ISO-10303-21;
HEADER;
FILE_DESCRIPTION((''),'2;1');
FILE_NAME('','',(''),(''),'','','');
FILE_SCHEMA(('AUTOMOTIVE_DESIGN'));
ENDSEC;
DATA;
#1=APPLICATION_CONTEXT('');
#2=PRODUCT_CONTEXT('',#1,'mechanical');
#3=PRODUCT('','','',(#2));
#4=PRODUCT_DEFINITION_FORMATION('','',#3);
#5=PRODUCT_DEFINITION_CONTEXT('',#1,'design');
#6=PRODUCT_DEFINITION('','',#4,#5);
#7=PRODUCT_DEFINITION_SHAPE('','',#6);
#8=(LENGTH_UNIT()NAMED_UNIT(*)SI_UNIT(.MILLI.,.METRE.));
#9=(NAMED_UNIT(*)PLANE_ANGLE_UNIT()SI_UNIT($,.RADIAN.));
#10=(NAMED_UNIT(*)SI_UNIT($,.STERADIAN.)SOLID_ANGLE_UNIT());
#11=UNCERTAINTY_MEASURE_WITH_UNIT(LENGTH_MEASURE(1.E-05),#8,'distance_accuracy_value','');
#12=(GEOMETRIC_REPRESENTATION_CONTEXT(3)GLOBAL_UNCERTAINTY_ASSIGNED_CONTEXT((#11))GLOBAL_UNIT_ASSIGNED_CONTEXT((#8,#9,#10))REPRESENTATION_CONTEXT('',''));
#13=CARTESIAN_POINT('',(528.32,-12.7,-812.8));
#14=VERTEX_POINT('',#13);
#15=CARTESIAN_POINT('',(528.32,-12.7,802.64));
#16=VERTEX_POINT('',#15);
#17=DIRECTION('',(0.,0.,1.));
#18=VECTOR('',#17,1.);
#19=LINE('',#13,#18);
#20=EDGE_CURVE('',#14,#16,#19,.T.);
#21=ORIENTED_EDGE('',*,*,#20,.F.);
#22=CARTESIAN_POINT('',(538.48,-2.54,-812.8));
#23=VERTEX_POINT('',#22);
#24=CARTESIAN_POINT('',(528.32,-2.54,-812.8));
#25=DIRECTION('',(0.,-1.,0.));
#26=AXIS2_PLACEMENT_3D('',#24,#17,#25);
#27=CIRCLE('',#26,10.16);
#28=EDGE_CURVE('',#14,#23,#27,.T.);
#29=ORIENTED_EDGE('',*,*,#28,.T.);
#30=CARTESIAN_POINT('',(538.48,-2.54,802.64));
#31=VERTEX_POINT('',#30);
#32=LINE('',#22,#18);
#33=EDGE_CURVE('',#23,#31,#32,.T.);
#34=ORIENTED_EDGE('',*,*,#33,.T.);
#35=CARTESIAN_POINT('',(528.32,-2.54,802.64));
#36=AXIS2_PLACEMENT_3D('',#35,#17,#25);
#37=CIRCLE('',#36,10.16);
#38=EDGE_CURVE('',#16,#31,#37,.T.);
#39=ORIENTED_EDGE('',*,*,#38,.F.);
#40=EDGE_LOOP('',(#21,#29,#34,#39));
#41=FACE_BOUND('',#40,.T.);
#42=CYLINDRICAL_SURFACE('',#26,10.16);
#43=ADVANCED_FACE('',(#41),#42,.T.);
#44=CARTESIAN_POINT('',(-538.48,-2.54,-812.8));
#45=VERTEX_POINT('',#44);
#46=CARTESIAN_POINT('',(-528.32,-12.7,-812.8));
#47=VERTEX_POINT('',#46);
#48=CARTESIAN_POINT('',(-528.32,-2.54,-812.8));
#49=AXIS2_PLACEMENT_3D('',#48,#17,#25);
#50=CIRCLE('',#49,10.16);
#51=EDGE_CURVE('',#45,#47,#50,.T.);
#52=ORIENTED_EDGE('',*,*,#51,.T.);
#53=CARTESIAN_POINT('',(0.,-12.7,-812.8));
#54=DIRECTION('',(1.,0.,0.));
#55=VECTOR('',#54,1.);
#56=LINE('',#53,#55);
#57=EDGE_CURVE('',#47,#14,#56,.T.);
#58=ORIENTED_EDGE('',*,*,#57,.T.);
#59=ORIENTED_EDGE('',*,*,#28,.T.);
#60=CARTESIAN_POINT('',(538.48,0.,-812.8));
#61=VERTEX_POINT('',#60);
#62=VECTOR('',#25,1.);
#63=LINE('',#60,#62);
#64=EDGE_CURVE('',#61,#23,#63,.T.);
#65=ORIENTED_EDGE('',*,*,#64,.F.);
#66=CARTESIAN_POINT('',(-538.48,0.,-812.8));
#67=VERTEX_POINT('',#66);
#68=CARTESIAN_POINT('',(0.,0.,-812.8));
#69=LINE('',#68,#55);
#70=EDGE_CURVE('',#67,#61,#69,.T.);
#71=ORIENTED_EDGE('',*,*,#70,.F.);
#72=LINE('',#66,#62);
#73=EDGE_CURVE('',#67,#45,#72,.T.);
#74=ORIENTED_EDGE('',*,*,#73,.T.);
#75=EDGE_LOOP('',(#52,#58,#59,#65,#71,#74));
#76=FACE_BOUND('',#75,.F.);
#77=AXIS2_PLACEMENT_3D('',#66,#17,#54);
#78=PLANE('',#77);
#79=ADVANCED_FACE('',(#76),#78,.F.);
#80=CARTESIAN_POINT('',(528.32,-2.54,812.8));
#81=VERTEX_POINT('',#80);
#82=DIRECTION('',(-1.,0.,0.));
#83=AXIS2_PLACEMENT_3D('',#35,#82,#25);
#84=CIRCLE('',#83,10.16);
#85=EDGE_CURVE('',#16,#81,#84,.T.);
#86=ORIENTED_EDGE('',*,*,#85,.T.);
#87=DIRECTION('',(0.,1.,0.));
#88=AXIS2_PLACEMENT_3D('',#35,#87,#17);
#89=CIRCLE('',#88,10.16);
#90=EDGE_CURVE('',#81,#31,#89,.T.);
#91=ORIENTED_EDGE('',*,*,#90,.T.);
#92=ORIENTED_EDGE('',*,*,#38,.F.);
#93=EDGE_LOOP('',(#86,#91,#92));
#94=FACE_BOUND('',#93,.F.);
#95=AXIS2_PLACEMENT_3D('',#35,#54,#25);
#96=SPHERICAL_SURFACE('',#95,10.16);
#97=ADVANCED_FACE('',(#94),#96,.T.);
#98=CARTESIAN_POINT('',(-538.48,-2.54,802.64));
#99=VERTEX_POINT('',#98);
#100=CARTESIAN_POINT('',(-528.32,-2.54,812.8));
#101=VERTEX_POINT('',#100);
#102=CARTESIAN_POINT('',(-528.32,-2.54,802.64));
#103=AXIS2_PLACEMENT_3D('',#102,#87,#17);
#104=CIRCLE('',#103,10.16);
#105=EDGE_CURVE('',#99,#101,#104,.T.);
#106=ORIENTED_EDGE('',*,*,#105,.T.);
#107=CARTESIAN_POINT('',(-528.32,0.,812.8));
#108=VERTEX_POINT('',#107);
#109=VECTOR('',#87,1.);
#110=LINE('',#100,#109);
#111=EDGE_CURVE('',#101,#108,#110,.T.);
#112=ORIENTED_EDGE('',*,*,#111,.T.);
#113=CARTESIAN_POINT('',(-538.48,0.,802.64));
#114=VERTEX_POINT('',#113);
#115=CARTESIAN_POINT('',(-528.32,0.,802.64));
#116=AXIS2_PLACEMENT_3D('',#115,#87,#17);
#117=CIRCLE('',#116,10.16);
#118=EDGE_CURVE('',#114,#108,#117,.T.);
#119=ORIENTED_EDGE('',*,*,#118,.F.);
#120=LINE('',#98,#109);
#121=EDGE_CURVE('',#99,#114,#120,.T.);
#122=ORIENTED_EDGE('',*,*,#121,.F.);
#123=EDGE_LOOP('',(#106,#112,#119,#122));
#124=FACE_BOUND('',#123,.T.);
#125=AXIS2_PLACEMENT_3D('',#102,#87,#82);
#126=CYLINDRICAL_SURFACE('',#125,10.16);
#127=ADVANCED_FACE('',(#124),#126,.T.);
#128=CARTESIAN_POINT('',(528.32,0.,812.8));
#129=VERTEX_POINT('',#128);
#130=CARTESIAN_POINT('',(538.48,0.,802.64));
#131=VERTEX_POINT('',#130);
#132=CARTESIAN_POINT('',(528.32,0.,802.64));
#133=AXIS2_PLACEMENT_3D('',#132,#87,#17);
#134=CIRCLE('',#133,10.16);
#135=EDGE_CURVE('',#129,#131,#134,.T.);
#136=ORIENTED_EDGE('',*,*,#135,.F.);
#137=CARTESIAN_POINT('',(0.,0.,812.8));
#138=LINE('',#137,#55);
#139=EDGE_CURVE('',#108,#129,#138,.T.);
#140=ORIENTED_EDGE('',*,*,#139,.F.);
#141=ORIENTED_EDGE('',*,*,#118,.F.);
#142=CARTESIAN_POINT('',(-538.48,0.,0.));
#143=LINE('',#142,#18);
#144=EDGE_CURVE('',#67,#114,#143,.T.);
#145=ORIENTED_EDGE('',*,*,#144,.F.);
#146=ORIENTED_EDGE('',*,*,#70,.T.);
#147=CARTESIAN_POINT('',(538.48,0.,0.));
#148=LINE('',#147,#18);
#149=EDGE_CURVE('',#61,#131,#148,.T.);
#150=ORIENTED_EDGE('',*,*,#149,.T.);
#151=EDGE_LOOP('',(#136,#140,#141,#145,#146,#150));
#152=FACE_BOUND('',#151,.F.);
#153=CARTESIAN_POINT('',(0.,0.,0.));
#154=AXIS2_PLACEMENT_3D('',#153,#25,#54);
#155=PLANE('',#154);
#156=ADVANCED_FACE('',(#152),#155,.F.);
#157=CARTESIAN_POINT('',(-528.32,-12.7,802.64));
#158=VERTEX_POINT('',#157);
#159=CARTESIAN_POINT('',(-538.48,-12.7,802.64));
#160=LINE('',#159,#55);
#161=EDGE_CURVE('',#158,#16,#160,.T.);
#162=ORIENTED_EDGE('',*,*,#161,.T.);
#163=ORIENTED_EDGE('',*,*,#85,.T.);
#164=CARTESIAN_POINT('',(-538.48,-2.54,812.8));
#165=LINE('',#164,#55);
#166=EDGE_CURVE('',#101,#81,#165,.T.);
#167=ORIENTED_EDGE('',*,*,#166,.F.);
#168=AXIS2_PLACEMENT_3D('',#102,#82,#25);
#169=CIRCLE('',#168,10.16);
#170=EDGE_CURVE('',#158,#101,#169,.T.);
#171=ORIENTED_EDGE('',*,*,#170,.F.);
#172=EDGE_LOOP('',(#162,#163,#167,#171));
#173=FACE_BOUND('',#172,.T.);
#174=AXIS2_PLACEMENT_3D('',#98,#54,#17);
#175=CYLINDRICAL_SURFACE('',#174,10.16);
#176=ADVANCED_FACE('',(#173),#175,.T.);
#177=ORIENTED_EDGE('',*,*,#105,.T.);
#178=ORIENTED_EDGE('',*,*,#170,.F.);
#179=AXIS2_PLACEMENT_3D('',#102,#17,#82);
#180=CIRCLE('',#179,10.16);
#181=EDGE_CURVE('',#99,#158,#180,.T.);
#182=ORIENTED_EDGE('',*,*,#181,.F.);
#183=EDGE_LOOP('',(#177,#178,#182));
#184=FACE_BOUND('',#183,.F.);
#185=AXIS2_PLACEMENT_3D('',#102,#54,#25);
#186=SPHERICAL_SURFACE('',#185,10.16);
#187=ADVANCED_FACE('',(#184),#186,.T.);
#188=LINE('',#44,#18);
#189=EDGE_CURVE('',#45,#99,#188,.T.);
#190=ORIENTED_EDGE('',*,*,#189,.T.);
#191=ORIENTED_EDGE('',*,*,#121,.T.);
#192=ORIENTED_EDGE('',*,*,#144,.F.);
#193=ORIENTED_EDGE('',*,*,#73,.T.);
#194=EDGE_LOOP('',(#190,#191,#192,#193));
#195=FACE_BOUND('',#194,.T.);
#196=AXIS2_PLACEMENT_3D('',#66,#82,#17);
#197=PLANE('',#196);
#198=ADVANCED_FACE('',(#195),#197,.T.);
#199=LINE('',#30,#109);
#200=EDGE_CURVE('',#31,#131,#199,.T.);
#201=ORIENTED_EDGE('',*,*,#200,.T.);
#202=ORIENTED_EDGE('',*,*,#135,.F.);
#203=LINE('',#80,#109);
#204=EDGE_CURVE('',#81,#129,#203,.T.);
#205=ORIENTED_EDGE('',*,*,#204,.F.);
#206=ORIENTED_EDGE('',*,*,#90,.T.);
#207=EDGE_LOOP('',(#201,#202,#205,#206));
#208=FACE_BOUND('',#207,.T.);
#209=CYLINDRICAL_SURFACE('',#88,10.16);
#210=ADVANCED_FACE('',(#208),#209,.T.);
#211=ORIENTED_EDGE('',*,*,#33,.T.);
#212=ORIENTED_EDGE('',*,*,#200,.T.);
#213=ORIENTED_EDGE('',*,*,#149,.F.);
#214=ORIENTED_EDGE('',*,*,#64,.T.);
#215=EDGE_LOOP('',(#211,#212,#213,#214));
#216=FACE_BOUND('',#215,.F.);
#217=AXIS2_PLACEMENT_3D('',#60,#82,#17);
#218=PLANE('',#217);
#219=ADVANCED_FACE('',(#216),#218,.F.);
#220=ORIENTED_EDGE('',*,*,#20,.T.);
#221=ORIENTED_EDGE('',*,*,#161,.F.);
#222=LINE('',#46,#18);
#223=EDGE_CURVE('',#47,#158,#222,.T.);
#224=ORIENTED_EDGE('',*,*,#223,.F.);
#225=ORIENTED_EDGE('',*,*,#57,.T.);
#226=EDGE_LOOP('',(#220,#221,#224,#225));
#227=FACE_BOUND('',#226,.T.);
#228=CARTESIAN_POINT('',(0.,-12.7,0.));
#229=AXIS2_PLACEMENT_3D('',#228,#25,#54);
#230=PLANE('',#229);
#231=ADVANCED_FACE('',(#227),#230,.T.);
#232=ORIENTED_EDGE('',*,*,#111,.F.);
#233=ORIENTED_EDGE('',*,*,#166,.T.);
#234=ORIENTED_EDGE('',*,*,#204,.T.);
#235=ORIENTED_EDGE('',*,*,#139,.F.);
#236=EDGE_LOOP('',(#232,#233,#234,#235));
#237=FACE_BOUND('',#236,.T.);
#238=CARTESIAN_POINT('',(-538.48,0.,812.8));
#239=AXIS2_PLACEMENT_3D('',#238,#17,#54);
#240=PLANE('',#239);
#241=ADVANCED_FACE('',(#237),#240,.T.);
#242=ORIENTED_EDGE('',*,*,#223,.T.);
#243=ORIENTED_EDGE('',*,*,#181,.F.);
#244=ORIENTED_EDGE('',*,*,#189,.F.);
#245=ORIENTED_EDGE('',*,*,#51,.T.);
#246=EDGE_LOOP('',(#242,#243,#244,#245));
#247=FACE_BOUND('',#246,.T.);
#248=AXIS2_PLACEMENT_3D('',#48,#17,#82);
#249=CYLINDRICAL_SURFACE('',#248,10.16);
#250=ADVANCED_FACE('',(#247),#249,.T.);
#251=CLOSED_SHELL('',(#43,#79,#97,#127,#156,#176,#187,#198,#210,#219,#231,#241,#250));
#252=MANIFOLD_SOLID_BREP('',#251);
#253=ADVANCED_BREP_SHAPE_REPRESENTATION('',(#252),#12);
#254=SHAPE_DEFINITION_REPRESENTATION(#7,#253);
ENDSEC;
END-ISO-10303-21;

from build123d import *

# Parameters (mm, degrees)
F0_W     = 1076.96
F0_H     = 1625.6
F1_DEPTH = 12.7
F2_R     = 10.16
F3_R     = 10.16


with BuildPart() as f1:
    # F0 (on Front) → F1 (new body)
    with BuildSketch(Plane.XZ):
        Rectangle(F0_W, F0_H)
    extrude(amount=F1_DEPTH)

    # F2
    f2_edges = [f1.edges().sort_by_distance(p)[0] for p in [
        (0, -12.7, 812.8),
    ]]
    fillet(f2_edges, radius=F2_R)

    # F3
    f3_edges = [f1.edges().sort_by_distance(p)[0] for p in [
        (538.48, -12.7, -5.08),
        (-538.48, -12.7, -5.08),
    ]]
    fillet(f3_edges, radius=F3_R)


solid = f1.part
